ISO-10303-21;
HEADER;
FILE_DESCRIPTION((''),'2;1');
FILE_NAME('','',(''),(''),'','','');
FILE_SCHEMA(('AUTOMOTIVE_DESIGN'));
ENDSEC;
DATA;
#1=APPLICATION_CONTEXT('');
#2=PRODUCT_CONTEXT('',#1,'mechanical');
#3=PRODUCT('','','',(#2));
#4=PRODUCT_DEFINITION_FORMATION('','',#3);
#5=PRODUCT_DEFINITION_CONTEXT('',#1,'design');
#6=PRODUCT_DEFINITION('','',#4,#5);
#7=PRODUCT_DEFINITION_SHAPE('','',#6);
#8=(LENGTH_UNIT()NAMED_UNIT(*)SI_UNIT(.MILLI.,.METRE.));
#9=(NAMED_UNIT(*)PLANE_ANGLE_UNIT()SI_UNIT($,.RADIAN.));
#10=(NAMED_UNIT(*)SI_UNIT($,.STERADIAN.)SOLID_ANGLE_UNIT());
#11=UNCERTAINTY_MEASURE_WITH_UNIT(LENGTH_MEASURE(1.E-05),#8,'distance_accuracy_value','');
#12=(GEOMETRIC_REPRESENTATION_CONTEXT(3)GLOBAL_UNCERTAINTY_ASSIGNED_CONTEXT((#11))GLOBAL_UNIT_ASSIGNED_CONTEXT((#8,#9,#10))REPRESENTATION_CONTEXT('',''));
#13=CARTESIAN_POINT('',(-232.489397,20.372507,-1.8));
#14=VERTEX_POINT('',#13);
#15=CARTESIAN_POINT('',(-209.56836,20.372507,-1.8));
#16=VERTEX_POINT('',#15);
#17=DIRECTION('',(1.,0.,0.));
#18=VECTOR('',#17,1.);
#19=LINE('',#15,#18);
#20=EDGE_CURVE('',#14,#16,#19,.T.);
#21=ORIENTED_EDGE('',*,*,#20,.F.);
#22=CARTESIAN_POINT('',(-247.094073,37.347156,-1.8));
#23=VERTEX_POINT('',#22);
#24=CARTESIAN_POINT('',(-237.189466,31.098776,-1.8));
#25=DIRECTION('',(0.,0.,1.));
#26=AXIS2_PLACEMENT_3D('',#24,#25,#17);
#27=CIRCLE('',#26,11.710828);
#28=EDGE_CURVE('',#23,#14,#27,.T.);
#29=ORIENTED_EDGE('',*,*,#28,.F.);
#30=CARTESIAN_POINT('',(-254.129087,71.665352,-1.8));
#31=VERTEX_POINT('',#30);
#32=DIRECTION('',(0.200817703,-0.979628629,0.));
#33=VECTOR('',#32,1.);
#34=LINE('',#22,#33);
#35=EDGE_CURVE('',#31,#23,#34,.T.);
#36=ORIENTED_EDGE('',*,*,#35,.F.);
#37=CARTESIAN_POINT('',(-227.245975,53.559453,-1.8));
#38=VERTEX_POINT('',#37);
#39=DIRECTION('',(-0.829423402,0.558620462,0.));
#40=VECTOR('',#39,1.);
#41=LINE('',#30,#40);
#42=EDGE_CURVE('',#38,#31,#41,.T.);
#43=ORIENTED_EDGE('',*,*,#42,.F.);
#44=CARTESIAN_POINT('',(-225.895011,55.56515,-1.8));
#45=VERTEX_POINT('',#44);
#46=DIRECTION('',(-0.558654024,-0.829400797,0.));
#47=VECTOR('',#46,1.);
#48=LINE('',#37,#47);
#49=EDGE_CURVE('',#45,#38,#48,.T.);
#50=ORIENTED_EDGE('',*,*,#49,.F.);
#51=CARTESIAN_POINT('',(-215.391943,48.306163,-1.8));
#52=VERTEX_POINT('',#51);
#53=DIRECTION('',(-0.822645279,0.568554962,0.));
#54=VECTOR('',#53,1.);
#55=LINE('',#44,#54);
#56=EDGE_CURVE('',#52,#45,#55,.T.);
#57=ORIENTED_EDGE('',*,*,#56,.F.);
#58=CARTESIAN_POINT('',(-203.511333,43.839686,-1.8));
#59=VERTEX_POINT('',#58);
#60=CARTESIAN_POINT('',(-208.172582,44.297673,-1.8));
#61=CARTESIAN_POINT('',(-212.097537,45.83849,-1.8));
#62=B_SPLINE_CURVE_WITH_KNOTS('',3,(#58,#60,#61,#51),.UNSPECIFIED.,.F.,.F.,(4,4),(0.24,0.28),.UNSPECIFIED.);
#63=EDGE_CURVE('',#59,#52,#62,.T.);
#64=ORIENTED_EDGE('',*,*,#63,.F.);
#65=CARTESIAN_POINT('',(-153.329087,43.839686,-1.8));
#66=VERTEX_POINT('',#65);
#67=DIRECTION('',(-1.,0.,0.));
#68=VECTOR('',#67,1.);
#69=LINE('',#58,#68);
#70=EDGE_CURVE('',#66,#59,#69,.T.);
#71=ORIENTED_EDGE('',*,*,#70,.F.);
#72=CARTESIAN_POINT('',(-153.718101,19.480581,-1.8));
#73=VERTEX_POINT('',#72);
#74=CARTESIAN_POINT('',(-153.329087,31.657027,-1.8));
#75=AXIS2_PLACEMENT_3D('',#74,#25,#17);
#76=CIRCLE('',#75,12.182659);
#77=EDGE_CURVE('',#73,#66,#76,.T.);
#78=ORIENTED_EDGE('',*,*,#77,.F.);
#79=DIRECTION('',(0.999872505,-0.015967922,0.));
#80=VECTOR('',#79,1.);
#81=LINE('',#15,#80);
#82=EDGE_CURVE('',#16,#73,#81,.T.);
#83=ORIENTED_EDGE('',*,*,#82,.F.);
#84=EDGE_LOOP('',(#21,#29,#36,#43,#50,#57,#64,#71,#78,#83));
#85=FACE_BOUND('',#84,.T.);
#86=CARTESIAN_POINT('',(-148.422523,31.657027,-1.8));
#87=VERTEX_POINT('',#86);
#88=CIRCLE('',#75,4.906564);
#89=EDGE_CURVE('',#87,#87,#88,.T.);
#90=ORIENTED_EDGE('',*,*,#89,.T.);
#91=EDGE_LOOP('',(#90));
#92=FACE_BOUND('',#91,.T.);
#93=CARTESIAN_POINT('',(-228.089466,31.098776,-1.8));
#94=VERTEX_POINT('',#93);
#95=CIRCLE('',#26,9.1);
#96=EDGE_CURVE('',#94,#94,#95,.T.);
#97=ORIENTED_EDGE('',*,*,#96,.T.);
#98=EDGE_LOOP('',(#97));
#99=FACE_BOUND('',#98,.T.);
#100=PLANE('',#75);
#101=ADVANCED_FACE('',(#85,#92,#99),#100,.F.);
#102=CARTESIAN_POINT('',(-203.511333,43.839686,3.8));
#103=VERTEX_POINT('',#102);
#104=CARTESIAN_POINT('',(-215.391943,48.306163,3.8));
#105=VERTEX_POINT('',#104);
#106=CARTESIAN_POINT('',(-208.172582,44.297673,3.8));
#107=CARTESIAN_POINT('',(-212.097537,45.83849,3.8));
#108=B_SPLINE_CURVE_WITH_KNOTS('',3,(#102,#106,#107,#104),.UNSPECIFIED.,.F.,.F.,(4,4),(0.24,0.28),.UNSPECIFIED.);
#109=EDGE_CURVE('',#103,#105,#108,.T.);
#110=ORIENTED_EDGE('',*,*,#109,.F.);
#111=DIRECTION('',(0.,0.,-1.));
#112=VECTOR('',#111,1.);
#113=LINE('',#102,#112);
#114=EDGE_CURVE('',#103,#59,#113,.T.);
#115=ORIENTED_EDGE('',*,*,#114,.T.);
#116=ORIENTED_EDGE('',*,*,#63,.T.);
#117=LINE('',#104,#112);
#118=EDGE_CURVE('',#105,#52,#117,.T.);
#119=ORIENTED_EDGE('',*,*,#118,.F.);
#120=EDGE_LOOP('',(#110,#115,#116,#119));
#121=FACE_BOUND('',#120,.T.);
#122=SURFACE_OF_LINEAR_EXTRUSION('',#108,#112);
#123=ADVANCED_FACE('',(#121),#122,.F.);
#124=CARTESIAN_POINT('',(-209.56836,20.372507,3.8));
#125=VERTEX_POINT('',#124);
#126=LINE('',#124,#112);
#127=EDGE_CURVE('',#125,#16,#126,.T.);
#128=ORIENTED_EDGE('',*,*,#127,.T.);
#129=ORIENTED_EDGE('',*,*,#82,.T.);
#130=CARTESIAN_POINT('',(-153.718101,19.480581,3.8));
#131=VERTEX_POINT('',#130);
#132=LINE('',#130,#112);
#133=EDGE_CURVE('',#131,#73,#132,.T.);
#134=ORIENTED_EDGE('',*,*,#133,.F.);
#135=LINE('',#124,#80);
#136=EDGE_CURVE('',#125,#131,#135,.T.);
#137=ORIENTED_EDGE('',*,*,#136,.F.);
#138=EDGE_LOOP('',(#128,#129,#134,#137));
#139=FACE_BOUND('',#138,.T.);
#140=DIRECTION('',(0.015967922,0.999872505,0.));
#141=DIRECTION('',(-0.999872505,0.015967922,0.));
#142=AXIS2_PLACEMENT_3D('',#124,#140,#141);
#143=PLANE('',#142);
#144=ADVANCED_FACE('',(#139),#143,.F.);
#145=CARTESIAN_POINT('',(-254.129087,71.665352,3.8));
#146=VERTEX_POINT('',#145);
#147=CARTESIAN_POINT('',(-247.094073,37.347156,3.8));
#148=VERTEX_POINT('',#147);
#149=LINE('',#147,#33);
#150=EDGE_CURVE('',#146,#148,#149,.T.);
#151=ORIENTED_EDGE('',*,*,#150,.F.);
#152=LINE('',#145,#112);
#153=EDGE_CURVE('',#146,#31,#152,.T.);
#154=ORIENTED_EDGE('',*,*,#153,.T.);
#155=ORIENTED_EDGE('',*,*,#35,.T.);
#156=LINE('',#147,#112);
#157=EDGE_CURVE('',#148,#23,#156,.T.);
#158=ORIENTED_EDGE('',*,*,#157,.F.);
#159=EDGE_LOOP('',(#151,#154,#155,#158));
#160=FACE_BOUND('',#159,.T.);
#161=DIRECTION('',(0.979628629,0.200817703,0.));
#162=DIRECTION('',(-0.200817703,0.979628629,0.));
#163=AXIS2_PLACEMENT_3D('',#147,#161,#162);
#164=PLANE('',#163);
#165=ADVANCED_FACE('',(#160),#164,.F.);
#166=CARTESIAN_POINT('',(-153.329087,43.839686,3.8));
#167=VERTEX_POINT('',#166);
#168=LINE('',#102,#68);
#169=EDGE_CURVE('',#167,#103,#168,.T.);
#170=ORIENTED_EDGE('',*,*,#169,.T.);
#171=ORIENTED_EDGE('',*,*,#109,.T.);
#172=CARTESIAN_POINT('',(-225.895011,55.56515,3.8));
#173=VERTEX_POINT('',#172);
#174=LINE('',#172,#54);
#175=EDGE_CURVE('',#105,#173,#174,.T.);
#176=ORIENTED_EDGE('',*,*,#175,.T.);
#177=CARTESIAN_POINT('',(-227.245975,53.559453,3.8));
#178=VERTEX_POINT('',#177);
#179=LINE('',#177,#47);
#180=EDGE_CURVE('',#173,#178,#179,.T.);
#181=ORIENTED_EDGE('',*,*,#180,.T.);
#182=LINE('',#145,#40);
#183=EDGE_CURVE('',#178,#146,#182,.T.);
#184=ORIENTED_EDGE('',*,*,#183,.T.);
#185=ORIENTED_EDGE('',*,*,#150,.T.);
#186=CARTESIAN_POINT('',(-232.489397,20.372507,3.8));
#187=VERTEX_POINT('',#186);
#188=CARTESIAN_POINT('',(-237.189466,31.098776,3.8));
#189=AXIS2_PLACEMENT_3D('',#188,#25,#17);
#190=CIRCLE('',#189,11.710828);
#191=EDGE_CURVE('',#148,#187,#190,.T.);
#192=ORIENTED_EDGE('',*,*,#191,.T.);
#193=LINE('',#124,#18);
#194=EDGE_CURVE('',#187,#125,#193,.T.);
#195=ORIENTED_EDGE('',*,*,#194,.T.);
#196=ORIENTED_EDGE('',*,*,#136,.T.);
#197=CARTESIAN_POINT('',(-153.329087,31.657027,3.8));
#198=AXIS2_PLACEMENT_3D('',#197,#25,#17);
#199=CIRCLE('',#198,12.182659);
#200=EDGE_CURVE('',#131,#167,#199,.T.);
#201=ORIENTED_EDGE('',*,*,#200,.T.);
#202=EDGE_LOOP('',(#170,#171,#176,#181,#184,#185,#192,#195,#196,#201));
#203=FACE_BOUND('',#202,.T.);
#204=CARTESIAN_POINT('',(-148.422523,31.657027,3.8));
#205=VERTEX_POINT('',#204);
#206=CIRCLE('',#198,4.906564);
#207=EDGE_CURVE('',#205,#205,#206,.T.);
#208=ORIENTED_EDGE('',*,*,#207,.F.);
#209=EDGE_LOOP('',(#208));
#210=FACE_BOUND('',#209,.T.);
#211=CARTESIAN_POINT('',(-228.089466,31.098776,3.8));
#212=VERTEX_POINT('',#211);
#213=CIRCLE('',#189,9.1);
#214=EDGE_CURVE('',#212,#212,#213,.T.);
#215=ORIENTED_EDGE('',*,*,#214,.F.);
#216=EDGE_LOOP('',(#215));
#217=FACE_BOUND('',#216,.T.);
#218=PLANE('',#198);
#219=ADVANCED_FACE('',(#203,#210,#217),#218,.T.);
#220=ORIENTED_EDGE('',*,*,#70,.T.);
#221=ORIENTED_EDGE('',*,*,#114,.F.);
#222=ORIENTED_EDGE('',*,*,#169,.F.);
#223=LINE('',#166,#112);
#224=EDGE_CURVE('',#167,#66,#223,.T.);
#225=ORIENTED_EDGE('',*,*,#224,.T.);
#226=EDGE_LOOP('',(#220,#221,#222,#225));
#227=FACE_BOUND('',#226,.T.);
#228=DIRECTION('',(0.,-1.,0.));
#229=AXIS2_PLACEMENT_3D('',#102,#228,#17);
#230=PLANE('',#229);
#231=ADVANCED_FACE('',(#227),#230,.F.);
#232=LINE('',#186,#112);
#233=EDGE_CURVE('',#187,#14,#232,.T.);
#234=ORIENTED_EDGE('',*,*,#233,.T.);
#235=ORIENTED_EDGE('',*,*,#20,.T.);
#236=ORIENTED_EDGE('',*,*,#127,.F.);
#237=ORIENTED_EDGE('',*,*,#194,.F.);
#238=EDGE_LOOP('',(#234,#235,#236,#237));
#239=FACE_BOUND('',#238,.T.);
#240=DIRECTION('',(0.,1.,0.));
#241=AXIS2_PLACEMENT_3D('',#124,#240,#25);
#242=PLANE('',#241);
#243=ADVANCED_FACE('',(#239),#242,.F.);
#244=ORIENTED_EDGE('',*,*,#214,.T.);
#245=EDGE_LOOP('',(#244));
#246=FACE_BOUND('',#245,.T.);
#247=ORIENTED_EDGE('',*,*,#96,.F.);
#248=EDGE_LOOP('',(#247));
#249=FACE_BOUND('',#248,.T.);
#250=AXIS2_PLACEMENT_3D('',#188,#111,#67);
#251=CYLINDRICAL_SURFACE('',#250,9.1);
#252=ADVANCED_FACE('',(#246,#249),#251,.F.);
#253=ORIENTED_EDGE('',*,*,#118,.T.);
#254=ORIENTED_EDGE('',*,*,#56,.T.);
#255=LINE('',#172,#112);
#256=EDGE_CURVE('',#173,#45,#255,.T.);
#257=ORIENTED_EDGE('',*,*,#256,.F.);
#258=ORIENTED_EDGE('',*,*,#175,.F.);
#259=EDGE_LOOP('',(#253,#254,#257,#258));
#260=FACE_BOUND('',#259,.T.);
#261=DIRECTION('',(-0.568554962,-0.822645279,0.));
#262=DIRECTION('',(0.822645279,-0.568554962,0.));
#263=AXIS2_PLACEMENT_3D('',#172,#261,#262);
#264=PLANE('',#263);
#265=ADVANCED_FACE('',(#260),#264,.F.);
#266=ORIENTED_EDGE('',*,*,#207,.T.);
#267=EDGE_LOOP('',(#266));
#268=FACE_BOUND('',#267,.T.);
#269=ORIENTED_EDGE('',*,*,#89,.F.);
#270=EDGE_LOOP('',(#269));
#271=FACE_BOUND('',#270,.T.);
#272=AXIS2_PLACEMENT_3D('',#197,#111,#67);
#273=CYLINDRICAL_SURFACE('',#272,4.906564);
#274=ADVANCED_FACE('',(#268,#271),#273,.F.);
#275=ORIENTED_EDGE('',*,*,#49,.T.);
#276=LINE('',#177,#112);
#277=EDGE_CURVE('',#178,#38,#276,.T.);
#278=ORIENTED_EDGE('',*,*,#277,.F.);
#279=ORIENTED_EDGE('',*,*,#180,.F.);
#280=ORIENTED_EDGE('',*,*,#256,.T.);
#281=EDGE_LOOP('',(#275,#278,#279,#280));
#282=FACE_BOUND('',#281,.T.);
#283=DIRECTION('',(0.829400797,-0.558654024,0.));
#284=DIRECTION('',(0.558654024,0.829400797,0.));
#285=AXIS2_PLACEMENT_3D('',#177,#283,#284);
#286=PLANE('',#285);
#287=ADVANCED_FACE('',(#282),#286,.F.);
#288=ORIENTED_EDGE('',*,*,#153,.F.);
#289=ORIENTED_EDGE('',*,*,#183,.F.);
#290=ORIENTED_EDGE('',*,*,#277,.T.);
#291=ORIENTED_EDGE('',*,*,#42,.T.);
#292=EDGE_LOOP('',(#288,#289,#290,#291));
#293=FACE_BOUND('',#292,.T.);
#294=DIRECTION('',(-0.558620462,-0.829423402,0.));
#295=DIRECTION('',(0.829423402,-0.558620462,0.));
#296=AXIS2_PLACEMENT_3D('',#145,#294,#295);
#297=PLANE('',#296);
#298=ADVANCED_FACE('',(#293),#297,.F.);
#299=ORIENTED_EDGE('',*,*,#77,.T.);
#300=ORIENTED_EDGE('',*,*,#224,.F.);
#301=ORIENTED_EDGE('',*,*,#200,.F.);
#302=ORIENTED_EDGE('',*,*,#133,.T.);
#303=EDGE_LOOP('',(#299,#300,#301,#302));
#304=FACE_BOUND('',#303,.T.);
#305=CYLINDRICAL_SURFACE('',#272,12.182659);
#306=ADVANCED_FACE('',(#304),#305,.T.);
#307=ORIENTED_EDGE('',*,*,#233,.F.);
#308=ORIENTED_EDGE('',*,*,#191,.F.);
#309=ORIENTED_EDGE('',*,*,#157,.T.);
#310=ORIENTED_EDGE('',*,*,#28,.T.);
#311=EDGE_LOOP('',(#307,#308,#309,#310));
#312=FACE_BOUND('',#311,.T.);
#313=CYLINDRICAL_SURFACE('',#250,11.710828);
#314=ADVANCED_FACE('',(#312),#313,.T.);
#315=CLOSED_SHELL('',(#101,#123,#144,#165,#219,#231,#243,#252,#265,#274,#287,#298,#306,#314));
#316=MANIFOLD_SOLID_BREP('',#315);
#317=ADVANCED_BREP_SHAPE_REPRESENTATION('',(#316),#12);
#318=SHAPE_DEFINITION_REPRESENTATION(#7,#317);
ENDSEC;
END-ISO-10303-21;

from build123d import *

# Parameters (mm, degrees)
SKETCH1_R           = 1.752344144
SKETCH1_R_2         = 3.25
BOSS_EXTRUDE1_DEPTH = 2
SCALE6_SCALE        = 2.8


with BuildPart() as part:
    # Sketch1 → Boss-Extrude1 (new body)
    with BuildSketch(Plane.XY):
        with BuildLine():
            Line((-201.779102887, 38.968850302), (-183.856871997, 38.968850302))
            ThreePointArc((-183.856871997, 38.968850302), (-179.50647719, 34.548425149), (-183.995805524, 30.26917))
            Line((-183.995805524, 30.26917), (-203.942326715, 30.587715102))
            Line((-203.942326715, 30.587715102), (-212.128411179, 30.587715102))
            ThreePointArc((-212.128411179, 30.587715102), (-216.977472251, 31.690715611), (-217.344366931, 36.650089735))
            Line((-217.344366931, 36.650089735), (-219.856871997, 48.906588317))
            Line((-219.856871997, 48.906588317), (-210.255760435, 42.440195681))
            Line((-210.255760435, 42.440195681), (-209.773273317, 43.15651595))
            Line((-209.773273317, 43.15651595), (-206.022177555, 40.564020545))
            add(Edge.make_bspline(
                [(-206.022177555, 40.564020545), (-204.845604067, 39.682708979), (-203.443834564, 39.1324171), (-201.779102887, 38.968850302)],
                knots=[0.24, 0.24, 0.24, 0.24, 0.28, 0.28, 0.28, 0.28], degree=3))
        make_face()
        with Locations((-183.856871997, 34.61790077)):
            Circle(SKETCH1_R, mode=Mode.SUBTRACT)
        with Locations((-213.807007526, 34.418525211)):
            Circle(SKETCH1_R_2, mode=Mode.SUBTRACT)
    extrude(amount=BOSS_EXTRUDE1_DEPTH)


with BuildPart() as part_1:
    # Scale6: scaled about (-200.816753652, 36.262830965, 1)
    add(part.part.scale(SCALE6_SCALE).moved(Location((361.470156574, -65.273095737, -1.8))))


solid = part_1.part
